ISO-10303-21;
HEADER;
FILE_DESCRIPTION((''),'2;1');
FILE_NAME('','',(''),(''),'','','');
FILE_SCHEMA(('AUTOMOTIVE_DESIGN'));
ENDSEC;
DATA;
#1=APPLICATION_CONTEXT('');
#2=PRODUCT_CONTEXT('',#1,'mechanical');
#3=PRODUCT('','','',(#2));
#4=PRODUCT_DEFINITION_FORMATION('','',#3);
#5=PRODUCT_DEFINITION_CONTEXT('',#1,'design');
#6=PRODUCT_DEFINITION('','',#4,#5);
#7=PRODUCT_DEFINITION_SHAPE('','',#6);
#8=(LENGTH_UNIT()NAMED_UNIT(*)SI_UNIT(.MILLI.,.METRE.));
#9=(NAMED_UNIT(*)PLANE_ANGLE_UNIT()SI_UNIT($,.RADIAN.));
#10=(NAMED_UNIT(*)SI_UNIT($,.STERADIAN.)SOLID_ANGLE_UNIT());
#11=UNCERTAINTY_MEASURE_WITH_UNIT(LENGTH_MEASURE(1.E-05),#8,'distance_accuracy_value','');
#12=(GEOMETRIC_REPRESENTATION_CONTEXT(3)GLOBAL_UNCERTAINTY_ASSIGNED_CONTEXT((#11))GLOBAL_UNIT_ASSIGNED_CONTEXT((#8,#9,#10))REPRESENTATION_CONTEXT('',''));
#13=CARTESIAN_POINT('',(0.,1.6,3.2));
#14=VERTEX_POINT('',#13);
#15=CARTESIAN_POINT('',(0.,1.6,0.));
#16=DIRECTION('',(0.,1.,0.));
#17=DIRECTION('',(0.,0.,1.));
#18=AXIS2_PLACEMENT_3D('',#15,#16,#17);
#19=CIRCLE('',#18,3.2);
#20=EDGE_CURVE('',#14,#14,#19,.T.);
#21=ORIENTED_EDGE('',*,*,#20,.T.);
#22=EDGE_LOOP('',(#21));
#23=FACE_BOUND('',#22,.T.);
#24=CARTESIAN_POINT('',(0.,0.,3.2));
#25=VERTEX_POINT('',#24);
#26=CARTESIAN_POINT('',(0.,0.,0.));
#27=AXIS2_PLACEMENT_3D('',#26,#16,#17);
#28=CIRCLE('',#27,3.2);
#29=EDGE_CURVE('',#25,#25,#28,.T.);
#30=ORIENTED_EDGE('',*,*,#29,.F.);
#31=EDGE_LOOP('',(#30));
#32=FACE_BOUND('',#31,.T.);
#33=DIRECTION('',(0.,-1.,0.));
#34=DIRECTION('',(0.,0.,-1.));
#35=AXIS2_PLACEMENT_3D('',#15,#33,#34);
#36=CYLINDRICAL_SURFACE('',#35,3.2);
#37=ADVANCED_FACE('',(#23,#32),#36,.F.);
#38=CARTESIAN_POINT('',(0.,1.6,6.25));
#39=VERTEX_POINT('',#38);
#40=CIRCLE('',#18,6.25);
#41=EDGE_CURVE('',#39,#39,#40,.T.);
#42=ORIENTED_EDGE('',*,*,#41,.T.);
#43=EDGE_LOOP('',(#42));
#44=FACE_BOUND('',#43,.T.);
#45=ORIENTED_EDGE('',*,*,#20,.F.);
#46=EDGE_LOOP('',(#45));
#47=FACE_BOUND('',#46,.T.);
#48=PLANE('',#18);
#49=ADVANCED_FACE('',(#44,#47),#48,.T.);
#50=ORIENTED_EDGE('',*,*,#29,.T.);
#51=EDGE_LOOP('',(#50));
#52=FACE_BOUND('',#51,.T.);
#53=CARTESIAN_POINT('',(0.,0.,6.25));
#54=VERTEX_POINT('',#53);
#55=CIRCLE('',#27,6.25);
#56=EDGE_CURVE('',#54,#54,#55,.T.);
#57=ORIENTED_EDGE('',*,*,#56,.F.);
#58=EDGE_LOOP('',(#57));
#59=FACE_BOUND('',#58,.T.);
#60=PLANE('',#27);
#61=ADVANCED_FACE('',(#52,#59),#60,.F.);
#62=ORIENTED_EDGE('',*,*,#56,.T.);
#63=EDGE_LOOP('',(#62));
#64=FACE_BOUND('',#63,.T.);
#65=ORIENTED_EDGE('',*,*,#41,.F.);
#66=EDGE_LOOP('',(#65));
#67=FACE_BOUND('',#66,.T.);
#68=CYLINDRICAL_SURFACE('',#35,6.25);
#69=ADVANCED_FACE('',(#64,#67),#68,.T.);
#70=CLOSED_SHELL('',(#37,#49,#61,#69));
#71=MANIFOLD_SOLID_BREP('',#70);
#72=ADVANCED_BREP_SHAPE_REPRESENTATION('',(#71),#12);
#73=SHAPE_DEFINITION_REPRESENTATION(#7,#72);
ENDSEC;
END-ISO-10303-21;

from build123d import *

# Parameters (mm, degrees)
SKETCH1_R           = 6.25
SKETCH1_R_2         = 3.2
BOSS_EXTRUDE1_DEPTH = 1.6


with BuildPart() as part:
    # Sketch1 → Boss-Extrude1 (new body)
    with BuildSketch(Plane(origin=(0, 0, 0), x_dir=(1, 0, 0), z_dir=(0, 1, 0))):
        with Locations(Location((0, 0, 0), (0, 0, 270))):  # turned: the seam where the file's is
            Circle(SKETCH1_R)
        with Locations(Location((0, 0, 0), (0, 0, 270))):  # turned: the seam where the file's is
            Circle(SKETCH1_R_2, mode=Mode.SUBTRACT)
    extrude(amount=BOSS_EXTRUDE1_DEPTH)


solid = part.part
